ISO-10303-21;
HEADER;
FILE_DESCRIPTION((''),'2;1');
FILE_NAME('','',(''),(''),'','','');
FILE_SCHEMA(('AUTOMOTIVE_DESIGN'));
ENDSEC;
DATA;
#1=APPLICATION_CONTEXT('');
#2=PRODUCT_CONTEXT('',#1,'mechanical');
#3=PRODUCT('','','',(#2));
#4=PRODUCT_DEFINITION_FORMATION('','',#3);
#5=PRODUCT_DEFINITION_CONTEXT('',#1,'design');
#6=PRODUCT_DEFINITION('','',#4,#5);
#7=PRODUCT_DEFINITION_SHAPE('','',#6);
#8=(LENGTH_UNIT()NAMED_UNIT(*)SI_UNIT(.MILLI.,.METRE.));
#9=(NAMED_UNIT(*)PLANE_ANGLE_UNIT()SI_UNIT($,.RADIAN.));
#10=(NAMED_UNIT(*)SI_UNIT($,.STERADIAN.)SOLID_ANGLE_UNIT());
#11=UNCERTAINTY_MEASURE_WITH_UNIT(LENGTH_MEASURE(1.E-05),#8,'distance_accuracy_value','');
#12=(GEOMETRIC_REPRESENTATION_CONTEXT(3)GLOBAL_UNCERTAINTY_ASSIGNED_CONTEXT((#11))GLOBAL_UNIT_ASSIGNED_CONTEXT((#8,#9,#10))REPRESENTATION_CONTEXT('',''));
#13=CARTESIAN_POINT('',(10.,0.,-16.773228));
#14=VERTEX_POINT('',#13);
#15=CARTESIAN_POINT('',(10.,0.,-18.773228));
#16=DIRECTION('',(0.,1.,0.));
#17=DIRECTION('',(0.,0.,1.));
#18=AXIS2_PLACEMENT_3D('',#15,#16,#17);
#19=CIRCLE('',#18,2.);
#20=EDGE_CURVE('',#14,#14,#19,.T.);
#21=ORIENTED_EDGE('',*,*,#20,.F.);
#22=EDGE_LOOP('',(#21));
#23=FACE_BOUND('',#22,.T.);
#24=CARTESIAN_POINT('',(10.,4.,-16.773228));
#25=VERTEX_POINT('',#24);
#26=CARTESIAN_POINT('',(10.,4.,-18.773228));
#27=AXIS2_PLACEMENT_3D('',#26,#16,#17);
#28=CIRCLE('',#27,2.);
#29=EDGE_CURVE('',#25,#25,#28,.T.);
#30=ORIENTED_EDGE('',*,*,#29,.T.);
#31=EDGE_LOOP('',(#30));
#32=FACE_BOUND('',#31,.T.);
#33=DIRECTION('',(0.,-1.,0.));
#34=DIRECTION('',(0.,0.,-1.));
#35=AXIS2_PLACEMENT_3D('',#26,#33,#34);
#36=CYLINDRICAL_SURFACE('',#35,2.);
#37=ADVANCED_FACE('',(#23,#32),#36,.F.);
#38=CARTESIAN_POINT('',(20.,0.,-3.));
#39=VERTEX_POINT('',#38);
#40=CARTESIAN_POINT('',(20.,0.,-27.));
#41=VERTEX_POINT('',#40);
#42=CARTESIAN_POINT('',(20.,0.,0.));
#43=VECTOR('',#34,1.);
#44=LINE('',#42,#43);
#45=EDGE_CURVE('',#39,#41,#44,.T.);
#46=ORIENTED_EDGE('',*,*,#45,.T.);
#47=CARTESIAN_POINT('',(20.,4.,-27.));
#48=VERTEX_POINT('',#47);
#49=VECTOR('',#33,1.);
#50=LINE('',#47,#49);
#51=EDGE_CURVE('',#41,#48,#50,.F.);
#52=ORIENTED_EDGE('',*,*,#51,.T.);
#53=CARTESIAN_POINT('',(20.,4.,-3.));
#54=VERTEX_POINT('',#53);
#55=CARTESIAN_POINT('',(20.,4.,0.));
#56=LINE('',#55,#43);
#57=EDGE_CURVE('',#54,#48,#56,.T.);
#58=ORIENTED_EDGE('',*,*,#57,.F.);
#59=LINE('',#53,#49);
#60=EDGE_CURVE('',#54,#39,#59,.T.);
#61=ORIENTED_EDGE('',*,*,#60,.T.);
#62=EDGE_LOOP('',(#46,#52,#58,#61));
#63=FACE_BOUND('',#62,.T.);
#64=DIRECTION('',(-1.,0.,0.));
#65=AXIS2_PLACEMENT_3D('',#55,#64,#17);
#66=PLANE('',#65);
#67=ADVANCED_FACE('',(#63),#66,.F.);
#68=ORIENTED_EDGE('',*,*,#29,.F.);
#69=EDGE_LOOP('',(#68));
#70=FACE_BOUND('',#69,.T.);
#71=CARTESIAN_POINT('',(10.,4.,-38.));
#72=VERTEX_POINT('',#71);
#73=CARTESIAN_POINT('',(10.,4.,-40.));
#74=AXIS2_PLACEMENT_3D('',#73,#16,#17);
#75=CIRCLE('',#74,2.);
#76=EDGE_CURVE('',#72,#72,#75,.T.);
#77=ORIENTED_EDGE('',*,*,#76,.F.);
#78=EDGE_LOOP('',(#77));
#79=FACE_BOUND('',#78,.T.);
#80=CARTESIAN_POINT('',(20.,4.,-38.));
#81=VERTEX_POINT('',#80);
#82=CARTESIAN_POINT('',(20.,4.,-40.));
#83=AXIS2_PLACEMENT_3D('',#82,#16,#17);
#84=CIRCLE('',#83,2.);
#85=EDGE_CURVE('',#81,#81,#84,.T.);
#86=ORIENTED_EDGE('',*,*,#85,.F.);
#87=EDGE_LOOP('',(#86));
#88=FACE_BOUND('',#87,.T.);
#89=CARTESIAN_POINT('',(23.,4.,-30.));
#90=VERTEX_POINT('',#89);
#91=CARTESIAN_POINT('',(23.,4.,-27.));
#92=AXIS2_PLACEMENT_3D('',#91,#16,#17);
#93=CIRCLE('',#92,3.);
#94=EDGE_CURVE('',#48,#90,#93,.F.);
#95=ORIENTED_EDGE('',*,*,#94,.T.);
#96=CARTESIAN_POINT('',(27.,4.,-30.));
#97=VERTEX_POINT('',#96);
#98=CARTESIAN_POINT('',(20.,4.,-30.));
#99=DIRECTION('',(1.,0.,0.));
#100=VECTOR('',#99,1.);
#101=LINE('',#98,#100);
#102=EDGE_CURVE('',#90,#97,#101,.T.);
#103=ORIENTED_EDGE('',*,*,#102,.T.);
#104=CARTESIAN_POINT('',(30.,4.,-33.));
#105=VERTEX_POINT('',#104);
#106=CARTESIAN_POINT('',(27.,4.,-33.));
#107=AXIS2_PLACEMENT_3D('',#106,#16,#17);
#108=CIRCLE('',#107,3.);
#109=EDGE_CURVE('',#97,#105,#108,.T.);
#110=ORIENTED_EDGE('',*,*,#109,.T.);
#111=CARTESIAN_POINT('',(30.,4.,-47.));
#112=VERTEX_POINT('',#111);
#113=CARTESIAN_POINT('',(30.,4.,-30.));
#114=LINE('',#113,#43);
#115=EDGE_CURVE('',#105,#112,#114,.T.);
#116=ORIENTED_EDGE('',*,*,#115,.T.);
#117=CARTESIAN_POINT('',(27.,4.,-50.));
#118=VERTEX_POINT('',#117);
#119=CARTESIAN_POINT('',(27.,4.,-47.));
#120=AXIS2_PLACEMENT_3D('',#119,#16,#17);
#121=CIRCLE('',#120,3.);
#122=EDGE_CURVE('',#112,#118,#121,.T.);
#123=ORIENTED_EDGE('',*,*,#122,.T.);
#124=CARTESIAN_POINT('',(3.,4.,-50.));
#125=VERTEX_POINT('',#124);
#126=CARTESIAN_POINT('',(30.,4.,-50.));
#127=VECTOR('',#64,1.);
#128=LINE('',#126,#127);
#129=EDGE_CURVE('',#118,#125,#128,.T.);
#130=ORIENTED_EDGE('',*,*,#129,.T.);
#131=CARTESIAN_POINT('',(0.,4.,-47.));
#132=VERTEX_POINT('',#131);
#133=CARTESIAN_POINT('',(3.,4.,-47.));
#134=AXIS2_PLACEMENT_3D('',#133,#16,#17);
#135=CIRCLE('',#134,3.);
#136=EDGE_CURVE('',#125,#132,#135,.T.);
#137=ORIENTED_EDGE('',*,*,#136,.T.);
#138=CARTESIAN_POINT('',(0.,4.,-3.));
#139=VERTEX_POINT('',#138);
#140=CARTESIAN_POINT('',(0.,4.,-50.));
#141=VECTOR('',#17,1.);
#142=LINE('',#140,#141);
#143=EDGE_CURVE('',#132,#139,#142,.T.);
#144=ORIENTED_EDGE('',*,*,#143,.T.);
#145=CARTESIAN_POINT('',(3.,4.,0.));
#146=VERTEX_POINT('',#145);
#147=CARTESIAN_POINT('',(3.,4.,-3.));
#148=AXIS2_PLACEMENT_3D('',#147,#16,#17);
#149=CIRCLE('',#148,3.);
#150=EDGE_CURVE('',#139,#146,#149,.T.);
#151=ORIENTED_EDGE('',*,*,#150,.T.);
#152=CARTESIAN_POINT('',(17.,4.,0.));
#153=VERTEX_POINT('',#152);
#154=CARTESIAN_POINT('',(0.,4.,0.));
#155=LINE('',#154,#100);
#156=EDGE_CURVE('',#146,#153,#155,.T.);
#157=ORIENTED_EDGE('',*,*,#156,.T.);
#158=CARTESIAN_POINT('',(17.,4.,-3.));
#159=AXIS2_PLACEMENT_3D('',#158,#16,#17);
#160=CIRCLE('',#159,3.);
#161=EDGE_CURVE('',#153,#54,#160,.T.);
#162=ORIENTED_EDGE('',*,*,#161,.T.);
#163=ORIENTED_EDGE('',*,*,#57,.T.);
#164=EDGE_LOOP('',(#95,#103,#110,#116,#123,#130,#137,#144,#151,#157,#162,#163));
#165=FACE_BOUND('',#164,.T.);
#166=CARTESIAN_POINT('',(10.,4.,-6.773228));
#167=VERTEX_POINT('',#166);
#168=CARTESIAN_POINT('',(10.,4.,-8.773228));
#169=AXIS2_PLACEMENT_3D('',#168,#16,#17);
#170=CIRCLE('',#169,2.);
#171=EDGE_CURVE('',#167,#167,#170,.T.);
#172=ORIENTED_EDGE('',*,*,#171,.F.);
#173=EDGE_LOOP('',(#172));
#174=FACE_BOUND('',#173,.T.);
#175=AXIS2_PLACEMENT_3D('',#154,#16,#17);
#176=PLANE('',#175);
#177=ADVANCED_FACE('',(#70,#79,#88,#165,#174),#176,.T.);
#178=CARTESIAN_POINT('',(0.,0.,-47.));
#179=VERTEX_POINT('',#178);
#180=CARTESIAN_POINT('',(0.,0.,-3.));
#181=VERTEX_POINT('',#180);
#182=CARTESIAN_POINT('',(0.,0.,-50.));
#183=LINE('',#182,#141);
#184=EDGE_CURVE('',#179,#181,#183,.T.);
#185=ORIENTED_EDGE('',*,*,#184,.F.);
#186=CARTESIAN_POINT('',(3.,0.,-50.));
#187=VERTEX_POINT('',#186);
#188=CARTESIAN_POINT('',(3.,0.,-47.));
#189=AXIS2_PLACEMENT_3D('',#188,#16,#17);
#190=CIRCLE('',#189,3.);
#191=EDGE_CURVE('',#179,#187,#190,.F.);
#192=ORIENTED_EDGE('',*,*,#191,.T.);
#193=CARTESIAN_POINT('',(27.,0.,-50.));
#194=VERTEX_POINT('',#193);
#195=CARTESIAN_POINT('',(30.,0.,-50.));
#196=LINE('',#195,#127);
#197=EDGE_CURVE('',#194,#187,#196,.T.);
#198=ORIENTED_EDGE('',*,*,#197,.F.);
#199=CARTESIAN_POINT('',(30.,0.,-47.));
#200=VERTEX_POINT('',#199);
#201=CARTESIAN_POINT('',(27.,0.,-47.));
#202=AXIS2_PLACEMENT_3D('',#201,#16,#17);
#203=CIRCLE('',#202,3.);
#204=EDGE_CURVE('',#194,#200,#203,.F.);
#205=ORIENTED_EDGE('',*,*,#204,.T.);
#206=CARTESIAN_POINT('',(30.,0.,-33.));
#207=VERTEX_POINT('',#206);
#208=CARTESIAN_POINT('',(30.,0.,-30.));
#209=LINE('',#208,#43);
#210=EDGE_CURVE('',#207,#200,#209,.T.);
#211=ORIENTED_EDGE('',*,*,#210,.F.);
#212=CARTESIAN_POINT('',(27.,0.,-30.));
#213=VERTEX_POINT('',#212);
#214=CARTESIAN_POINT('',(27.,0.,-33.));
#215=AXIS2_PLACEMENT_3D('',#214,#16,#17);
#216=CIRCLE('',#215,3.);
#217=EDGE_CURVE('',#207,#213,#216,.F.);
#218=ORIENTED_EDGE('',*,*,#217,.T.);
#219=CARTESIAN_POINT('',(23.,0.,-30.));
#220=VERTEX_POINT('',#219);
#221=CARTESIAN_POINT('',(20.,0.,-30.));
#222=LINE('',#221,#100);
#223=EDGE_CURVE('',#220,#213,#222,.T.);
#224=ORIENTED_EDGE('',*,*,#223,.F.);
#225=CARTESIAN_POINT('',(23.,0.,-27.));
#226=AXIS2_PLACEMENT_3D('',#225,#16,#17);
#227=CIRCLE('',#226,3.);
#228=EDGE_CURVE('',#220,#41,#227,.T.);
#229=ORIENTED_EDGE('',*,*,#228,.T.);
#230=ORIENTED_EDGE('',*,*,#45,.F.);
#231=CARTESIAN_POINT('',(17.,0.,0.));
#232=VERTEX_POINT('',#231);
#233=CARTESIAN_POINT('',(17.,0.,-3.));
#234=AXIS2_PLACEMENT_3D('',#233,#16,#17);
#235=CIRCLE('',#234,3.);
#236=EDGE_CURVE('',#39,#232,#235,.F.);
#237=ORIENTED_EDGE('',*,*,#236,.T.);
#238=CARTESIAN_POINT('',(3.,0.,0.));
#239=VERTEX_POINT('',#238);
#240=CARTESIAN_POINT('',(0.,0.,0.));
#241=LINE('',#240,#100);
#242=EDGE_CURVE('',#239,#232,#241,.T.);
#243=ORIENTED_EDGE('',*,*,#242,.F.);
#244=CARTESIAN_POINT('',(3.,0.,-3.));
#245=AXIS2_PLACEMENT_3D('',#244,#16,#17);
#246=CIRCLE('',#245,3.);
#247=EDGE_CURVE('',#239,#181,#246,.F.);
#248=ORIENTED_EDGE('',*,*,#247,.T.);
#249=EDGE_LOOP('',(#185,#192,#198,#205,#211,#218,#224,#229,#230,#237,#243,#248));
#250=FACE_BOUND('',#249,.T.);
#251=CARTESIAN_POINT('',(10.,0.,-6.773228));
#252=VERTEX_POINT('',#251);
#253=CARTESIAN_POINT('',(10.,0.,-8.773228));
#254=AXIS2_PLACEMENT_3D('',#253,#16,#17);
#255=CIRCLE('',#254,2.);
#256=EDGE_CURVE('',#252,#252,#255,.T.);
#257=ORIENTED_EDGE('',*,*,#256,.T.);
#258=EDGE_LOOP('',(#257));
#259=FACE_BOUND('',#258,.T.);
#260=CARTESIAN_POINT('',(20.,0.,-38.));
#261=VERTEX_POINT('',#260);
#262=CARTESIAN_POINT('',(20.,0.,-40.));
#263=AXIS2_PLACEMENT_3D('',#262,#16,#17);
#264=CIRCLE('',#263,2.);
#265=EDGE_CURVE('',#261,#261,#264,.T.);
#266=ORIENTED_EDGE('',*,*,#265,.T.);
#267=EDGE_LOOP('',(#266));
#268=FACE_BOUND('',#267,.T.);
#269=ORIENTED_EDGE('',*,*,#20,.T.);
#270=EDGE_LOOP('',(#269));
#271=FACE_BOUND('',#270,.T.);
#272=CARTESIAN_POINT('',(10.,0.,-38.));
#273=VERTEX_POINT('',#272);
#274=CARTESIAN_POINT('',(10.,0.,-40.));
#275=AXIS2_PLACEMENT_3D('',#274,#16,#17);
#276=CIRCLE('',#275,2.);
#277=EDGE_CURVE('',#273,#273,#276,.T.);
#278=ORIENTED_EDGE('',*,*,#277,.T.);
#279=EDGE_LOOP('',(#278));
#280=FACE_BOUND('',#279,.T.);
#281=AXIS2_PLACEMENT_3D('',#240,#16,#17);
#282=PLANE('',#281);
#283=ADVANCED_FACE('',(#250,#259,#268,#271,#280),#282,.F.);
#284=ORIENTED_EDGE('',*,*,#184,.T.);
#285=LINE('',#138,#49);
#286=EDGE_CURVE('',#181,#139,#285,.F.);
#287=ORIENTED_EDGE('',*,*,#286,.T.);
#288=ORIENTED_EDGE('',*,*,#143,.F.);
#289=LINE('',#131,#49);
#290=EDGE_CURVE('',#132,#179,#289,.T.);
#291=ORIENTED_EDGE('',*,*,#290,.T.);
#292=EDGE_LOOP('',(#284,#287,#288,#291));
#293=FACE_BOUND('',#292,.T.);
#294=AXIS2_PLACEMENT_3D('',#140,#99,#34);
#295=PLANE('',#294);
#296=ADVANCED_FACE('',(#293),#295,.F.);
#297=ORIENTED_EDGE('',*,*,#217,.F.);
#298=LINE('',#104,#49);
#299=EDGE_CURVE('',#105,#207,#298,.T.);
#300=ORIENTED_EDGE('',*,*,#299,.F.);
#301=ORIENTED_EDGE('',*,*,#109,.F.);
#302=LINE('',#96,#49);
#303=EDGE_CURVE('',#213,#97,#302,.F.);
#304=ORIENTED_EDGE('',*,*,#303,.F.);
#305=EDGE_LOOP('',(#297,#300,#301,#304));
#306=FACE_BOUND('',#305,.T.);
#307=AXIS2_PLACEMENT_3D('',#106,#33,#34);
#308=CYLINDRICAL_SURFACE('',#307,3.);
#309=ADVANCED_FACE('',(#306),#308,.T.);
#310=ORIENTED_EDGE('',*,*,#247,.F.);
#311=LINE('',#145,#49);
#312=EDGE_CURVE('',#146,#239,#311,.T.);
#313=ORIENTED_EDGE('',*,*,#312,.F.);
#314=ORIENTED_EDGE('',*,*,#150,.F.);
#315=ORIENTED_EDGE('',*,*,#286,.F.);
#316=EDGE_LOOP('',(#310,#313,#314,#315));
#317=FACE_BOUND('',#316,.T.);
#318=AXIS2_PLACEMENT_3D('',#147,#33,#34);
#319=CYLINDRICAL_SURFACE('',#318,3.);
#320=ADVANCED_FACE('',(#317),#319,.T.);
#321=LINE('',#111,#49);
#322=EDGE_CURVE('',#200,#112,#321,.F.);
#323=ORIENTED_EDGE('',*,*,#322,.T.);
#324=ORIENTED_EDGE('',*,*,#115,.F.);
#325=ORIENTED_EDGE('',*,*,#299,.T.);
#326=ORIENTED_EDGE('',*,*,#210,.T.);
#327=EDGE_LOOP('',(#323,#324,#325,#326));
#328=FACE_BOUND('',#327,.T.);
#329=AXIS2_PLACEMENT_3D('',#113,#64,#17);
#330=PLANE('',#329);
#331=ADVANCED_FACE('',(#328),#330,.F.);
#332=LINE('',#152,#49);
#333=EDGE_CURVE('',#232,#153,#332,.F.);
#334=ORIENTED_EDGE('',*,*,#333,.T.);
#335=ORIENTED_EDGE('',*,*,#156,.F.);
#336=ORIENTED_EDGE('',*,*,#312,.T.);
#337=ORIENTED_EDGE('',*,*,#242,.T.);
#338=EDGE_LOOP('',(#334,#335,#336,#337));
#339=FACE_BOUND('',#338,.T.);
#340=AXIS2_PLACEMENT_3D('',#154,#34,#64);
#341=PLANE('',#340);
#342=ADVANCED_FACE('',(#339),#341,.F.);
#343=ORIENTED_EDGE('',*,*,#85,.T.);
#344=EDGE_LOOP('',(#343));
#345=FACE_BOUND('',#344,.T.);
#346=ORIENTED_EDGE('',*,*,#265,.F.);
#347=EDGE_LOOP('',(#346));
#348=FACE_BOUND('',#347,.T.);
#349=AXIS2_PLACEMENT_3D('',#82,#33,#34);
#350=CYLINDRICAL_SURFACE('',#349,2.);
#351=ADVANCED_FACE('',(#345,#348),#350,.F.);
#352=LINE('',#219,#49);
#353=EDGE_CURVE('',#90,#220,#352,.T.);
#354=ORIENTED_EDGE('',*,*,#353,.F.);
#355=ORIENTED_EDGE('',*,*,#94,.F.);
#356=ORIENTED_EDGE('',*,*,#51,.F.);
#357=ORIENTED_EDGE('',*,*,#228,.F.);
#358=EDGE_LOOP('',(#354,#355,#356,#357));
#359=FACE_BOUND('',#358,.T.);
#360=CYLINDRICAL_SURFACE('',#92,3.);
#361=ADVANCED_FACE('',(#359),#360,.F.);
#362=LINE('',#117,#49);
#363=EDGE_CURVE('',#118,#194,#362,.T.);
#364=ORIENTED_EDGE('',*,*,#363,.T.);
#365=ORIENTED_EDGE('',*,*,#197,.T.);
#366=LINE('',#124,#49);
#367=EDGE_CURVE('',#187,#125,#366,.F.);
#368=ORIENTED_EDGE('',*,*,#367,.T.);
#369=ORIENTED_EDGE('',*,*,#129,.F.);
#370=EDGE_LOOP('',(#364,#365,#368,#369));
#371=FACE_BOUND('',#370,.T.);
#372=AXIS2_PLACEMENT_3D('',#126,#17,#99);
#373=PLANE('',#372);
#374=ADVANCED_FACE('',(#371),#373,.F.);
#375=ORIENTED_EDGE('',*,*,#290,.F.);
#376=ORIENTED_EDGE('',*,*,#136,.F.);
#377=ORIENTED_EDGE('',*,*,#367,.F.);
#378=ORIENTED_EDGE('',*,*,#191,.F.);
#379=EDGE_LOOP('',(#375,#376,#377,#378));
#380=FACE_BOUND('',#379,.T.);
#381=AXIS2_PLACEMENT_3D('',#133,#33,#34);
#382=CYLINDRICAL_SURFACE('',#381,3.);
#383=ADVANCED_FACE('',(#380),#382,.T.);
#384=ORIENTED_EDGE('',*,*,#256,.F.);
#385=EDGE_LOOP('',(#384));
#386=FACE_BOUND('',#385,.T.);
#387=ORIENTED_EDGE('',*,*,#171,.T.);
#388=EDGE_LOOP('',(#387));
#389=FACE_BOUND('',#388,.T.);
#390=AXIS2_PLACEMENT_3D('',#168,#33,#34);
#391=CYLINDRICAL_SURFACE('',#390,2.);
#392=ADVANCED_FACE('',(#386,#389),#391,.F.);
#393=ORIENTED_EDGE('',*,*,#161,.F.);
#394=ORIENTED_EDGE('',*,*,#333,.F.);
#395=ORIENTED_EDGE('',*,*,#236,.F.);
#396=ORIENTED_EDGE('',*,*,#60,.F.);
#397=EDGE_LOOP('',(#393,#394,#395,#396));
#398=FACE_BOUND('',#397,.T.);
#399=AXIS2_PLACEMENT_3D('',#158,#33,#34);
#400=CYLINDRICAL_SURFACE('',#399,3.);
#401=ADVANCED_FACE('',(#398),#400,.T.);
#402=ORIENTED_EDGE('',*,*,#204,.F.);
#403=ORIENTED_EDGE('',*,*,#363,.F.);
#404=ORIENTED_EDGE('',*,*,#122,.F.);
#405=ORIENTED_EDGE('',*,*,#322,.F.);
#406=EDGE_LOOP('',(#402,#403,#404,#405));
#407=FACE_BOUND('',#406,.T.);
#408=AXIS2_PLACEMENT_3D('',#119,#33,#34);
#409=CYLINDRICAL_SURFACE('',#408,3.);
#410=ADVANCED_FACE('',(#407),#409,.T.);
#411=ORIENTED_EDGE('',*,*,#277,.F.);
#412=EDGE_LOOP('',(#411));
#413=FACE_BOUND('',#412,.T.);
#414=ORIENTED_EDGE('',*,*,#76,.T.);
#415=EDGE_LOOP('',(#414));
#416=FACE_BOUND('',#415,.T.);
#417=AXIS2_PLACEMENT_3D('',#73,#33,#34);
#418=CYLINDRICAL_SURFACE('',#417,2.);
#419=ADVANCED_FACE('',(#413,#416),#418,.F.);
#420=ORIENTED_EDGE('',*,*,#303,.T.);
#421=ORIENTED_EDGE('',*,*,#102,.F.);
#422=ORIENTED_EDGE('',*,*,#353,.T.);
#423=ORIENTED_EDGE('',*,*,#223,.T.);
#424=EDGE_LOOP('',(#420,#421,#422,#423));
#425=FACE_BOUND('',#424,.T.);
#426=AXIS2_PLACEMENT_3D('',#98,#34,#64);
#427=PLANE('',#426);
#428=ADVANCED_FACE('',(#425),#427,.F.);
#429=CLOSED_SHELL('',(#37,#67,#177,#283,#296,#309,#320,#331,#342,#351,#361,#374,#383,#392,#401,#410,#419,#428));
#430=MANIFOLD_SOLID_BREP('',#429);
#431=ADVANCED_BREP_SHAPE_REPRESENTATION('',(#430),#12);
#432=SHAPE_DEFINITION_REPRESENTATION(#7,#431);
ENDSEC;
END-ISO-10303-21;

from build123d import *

# Parameters (mm, degrees)
SKETCH1_R           = 2
BOSS_EXTRUDE1_DEPTH = 4
FILLET1_R           = 3


with BuildPart() as part:
    # Sketch1 → Boss-Extrude1 (new body)
    with BuildSketch(Plane(origin=(0, 0, 0), x_dir=(1, 0, 0), z_dir=(0, 1, 0))):
        Polygon((0, 0), (20, 0), (20, 30), (30, 30), (30, 50), (0, 50), align=None)
        with Locations((10, 18.773227759)):
            Circle(SKETCH1_R, mode=Mode.SUBTRACT)
        with Locations((10, 8.773227759)):
            Circle(SKETCH1_R, mode=Mode.SUBTRACT)
        with Locations((20, 40)):
            Circle(SKETCH1_R, mode=Mode.SUBTRACT)
        with Locations((10, 40)):
            Circle(SKETCH1_R, mode=Mode.SUBTRACT)
    extrude(amount=BOSS_EXTRUDE1_DEPTH)

    # Fillet1
    fillet1_edges = [part.edges().sort_by_distance(p)[0] for p in [
        (0, 2, -50),
        (30, 2, -50),
        (30, 2, -30),
        (20, 2, -30),
        (20, 2, 0),
        (0, 2, 0),
    ]]
    fillet(fillet1_edges, radius=FILLET1_R)


solid = part.part
